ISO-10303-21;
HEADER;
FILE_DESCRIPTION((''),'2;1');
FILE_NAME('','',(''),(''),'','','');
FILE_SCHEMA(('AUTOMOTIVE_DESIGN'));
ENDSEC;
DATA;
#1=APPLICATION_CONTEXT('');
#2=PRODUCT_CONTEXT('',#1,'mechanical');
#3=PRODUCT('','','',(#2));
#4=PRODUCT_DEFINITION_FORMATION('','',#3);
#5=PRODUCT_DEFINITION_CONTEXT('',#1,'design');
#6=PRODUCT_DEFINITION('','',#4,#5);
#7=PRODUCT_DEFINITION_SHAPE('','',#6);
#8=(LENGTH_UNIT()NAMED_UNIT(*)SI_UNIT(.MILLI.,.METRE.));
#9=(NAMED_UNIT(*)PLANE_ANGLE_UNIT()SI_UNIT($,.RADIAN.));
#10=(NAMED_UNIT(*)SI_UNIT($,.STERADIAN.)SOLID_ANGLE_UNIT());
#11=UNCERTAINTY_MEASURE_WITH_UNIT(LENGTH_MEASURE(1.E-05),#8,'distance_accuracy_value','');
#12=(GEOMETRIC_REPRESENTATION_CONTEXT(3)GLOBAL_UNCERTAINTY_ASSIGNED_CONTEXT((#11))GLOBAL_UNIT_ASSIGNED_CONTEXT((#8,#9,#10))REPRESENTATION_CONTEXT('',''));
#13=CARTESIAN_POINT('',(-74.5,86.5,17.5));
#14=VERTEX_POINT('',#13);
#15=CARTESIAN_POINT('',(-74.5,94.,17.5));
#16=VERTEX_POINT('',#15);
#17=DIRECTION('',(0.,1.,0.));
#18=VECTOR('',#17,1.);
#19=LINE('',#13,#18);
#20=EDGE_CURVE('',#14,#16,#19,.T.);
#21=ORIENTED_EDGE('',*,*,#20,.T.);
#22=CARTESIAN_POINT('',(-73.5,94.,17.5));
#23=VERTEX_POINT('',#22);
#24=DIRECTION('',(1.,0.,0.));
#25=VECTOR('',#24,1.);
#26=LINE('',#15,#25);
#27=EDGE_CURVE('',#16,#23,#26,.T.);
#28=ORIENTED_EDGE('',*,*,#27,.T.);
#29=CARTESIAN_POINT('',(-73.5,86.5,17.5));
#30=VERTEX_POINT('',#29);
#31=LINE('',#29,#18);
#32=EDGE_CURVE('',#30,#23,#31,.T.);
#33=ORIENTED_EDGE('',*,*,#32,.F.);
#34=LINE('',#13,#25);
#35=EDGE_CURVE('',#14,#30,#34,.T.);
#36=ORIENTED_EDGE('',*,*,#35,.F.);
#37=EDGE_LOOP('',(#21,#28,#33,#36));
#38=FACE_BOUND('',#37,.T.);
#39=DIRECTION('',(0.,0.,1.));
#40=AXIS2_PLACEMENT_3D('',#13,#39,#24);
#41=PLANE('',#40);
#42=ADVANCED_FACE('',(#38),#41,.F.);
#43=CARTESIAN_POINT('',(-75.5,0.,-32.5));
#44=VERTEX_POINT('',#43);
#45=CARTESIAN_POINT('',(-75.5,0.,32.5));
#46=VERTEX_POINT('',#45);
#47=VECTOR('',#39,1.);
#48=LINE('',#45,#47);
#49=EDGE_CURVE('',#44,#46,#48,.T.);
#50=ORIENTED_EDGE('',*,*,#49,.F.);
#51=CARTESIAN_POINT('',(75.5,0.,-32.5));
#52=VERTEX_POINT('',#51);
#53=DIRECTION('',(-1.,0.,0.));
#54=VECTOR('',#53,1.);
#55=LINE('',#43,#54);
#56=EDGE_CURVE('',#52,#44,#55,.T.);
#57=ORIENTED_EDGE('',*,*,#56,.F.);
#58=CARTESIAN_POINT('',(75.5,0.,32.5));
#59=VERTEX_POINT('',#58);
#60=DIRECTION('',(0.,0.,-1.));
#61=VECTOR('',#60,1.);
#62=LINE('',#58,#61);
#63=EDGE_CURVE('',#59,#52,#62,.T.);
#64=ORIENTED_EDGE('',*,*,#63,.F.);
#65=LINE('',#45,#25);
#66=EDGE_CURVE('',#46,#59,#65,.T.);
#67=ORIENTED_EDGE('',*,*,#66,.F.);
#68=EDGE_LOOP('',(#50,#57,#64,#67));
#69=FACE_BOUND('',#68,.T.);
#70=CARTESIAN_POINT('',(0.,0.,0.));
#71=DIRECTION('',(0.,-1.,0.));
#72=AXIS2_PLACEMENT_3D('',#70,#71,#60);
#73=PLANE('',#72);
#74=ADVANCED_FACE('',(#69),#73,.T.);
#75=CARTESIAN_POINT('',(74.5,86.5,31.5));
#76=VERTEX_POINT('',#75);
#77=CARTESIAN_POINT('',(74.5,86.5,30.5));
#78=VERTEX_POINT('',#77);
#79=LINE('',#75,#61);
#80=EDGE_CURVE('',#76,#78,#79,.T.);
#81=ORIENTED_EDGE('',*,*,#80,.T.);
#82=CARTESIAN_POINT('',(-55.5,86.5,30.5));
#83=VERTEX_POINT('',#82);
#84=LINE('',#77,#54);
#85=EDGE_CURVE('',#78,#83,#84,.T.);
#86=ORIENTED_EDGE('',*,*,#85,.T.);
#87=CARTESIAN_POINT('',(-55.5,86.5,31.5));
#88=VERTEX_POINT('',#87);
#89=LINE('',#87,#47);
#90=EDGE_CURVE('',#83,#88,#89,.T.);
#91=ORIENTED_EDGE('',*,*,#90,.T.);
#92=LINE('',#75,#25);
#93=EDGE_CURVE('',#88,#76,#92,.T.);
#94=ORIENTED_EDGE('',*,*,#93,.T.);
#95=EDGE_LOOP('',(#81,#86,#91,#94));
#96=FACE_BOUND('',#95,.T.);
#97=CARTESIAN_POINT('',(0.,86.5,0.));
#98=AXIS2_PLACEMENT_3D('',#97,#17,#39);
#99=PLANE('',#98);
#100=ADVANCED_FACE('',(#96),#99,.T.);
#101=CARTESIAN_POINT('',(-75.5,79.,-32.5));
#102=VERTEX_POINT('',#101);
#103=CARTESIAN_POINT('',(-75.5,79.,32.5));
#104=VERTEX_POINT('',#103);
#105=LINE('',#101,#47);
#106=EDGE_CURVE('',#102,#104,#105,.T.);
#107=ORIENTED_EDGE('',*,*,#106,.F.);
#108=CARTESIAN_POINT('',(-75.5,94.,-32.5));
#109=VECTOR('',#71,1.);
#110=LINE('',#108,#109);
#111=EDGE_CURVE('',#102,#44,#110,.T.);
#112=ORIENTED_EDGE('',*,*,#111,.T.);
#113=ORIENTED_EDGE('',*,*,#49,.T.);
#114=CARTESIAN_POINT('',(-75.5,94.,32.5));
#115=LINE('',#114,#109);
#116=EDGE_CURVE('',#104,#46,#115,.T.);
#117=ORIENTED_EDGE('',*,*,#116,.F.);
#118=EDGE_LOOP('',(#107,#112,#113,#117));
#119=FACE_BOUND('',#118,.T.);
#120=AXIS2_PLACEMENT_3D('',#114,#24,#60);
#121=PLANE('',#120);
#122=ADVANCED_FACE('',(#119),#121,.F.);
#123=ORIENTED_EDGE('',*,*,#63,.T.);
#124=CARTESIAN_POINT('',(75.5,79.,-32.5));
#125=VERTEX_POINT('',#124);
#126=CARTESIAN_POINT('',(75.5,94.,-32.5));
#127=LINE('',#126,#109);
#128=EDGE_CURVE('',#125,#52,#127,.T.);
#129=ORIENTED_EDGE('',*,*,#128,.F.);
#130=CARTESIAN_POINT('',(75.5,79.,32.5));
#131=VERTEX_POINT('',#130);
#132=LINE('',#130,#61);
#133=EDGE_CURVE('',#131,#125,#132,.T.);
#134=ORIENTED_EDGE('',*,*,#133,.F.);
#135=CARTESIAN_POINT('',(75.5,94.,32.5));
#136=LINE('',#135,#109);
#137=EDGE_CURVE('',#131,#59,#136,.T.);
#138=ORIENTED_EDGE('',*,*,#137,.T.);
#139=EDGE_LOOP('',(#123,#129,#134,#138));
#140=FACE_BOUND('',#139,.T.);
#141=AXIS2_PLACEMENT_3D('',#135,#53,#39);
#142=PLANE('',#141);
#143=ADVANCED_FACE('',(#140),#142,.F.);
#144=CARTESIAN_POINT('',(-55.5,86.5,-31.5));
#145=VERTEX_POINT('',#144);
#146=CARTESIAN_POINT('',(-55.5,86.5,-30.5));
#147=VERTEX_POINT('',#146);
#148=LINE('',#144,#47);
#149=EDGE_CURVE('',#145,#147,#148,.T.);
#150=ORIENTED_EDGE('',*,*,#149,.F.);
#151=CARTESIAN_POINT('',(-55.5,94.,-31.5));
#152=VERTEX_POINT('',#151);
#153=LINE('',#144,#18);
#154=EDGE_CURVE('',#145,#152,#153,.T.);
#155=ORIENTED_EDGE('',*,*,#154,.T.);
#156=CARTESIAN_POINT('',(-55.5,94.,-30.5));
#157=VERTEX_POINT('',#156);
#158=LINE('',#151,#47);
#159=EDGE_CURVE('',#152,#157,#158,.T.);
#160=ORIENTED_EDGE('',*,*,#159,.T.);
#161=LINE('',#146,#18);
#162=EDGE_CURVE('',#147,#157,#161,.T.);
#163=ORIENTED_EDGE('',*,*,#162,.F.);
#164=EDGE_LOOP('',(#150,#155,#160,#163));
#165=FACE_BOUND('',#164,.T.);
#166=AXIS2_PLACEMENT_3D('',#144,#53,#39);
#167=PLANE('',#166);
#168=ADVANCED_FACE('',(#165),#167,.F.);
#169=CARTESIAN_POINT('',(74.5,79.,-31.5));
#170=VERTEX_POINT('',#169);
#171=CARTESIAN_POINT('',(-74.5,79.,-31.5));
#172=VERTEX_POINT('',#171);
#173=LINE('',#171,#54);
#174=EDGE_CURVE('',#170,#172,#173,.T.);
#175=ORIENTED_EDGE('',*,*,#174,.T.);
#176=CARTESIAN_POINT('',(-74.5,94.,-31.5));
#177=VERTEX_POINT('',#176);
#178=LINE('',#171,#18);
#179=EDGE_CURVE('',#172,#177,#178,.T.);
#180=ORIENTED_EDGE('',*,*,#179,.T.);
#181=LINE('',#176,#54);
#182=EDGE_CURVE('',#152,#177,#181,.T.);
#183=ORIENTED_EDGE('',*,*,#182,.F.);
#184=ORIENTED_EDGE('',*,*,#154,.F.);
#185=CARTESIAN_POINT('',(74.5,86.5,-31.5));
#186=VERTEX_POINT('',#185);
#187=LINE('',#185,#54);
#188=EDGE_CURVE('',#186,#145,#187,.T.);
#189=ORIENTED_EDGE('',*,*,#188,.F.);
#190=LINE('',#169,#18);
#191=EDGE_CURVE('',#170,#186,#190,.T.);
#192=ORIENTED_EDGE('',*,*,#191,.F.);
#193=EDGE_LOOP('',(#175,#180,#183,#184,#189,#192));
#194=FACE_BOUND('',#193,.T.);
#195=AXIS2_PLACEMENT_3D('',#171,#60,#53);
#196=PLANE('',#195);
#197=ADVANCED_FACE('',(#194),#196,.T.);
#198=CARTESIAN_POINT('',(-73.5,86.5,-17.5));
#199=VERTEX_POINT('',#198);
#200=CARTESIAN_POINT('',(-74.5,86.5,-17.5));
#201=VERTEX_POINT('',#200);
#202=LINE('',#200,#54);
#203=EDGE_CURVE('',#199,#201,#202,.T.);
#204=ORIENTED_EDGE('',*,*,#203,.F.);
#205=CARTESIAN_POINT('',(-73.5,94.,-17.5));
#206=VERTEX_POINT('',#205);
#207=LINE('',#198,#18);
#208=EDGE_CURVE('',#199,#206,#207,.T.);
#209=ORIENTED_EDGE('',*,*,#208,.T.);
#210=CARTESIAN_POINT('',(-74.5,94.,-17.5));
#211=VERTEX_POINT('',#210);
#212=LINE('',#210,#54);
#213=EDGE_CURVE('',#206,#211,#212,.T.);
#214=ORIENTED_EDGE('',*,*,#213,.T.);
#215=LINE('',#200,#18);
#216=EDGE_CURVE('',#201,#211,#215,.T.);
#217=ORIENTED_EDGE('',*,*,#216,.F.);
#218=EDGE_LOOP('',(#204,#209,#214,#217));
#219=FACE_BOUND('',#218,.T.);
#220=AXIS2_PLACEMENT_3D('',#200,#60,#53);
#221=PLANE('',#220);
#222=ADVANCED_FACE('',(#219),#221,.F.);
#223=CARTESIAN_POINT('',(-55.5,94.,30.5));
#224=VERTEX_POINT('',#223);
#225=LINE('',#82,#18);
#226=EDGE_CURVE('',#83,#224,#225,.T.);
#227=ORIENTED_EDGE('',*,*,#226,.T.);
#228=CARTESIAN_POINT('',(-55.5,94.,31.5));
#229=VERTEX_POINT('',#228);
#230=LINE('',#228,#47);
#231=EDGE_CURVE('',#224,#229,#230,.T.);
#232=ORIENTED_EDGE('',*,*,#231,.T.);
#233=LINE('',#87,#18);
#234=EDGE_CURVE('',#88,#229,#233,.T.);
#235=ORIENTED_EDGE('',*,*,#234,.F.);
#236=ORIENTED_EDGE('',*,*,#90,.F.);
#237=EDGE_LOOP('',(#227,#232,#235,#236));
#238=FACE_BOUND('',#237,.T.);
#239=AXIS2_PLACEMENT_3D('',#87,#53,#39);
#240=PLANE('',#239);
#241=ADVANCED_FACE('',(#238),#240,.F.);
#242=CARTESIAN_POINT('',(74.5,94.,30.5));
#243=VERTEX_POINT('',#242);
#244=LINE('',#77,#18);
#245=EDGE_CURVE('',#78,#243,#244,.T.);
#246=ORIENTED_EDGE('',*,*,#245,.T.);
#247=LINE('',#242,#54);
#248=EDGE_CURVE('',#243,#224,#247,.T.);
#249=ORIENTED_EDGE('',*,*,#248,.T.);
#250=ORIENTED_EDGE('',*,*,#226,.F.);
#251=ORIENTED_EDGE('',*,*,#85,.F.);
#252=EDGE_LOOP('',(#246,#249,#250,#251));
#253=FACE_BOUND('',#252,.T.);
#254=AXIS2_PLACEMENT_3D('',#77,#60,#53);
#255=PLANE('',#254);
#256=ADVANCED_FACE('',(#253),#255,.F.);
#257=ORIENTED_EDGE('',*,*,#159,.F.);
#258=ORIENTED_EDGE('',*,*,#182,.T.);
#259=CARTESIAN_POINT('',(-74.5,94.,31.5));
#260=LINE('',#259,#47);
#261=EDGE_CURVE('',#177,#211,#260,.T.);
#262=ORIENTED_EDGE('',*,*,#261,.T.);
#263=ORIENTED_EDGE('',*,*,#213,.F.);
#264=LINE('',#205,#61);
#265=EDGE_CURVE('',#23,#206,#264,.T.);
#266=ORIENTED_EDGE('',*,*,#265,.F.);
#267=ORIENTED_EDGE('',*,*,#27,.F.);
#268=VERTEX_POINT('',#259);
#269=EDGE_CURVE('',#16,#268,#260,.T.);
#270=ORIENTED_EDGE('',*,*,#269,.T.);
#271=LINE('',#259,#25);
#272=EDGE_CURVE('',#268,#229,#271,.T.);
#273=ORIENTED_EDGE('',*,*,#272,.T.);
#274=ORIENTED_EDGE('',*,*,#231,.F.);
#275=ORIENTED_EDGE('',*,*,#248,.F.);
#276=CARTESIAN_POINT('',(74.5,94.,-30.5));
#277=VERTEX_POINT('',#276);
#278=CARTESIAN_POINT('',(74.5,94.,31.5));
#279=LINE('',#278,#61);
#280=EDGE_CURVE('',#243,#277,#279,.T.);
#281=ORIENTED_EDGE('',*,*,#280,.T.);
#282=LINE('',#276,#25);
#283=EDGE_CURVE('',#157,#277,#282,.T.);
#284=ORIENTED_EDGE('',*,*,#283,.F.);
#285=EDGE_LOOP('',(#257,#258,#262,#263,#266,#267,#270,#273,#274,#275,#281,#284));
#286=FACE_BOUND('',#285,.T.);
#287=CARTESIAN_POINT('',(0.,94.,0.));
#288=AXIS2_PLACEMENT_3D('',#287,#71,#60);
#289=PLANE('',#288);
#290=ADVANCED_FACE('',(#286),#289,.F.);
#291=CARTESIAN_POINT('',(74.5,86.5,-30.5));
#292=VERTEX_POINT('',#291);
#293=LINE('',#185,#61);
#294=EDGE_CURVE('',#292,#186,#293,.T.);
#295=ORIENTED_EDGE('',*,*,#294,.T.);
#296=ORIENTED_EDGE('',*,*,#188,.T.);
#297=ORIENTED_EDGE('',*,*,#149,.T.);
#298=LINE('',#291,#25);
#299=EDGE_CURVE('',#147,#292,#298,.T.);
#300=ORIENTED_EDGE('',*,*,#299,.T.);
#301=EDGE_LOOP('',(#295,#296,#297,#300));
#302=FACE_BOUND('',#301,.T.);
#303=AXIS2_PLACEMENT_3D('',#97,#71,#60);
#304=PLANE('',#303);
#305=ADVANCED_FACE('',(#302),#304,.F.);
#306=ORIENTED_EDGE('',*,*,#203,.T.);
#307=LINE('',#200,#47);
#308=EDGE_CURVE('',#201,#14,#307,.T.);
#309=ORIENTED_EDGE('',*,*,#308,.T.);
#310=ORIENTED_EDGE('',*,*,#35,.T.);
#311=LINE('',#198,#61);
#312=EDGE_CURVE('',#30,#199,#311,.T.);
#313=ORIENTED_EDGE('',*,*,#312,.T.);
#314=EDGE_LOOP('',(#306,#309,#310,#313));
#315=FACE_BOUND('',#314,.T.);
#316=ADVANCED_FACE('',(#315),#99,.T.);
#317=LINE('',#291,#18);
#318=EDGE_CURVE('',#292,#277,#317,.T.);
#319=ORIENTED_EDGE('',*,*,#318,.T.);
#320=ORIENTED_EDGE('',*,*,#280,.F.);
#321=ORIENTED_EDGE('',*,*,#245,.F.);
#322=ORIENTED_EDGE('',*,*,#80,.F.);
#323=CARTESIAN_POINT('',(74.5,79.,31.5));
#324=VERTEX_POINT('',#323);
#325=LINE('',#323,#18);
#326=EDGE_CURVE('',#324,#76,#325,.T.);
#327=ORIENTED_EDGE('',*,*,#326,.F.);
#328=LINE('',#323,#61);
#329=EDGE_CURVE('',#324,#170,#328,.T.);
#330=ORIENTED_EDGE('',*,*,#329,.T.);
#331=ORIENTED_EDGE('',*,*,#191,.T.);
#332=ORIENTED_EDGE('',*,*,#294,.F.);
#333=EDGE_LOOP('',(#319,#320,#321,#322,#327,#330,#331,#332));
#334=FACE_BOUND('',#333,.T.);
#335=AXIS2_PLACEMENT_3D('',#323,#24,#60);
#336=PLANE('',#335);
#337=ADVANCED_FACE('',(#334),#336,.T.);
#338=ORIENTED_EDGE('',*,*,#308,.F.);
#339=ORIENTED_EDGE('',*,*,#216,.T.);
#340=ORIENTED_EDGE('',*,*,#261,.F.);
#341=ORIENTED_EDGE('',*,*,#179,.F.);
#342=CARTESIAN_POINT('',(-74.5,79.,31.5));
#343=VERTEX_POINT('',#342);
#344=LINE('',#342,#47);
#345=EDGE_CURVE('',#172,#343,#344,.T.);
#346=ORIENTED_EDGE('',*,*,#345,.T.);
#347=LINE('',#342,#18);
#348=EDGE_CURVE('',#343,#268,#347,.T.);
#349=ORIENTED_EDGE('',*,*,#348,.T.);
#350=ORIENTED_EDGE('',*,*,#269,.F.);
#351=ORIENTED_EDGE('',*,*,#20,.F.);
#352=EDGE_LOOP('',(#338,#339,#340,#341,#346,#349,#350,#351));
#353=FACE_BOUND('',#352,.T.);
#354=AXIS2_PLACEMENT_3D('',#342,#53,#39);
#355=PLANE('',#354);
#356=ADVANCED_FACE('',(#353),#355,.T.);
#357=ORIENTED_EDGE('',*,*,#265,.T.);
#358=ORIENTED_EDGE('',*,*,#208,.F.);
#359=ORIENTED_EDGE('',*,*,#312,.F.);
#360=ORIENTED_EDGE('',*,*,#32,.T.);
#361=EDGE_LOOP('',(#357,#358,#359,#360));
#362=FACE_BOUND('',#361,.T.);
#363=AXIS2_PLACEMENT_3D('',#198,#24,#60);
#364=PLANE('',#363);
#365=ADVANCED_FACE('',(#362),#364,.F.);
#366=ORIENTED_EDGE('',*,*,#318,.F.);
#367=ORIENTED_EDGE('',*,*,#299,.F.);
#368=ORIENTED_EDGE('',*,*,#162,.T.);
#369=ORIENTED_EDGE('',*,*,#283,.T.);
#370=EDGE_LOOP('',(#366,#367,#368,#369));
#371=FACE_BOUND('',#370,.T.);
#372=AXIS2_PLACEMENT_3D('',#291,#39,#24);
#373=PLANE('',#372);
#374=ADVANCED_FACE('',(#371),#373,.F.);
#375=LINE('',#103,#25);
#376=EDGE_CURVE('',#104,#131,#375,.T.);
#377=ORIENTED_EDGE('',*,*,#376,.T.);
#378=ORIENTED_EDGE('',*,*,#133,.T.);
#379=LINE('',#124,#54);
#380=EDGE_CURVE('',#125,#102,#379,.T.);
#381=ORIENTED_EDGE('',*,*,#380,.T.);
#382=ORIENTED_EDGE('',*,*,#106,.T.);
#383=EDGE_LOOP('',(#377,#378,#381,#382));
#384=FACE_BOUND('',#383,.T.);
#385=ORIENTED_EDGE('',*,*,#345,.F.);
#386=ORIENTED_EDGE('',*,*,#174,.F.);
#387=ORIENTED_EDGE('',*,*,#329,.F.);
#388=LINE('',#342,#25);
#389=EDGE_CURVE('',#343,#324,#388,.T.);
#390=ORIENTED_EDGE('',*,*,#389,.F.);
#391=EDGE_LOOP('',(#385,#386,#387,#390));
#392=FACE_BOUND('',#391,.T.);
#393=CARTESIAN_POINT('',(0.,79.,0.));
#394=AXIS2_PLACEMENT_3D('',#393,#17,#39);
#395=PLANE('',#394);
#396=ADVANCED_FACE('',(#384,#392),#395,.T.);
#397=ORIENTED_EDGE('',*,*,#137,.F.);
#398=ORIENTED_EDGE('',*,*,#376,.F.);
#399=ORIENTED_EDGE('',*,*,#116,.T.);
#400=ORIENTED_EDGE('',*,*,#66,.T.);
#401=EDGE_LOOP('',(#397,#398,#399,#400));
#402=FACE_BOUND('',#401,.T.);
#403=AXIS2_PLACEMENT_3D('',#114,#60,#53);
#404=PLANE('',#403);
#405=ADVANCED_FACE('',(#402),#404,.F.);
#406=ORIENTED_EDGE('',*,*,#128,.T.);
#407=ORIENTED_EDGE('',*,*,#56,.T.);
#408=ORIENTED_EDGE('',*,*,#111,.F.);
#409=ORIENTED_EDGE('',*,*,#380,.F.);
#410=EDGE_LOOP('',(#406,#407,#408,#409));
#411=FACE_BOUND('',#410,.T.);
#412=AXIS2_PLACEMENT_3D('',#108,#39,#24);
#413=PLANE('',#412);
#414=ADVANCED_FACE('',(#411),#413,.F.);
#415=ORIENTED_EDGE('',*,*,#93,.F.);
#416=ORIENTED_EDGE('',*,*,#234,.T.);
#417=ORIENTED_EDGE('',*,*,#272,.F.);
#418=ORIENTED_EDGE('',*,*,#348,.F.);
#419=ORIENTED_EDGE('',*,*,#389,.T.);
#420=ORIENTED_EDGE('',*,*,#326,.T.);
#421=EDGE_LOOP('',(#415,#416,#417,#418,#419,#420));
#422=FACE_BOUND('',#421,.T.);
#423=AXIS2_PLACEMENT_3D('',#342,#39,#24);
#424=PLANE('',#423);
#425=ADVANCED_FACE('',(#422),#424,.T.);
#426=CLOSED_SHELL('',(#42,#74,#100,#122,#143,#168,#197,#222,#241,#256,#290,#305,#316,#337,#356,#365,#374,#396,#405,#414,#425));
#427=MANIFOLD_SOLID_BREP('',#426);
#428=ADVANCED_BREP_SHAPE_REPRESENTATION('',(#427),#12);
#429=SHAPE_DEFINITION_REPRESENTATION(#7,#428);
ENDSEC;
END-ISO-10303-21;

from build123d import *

# Parameters (mm, degrees)
SKETCH1_W           = 151
SKETCH1_H           = 65
BOSS_EXTRUDE1_DEPTH = 94
SKETCH2_W           = 151
SKETCH2_H           = 65
SKETCH2_W_2         = 149
SKETCH2_H_2         = 63
CUT_EXTRUDE1_DEPTH  = 15
SKETCH3_W           = 130
SKETCH3_H           = 1
CUT_EXTRUDE2_DEPTH  = 7.5
SKETCH4_W           = 1
SKETCH4_H           = 35
CUT_EXTRUDE3_DEPTH  = 7.5


with BuildPart() as part:
    # Sketch1 → Boss-Extrude1 (new body)
    with BuildSketch(Plane(origin=(0, 0, 0), x_dir=(1, 0, 0), z_dir=(0, 1, 0))):
        Rectangle(SKETCH1_W, SKETCH1_H)
    extrude(amount=BOSS_EXTRUDE1_DEPTH)

    # Sketch2 → Cut-Extrude1 (cut)
    with BuildSketch(Plane(origin=(0, 94, 0), x_dir=(1, 0, 0), z_dir=(0, 1, 0))):
        Rectangle(SKETCH2_W, SKETCH2_H)
        Rectangle(SKETCH2_W_2, SKETCH2_H_2, mode=Mode.SUBTRACT)
    extrude(amount=-CUT_EXTRUDE1_DEPTH, mode=Mode.SUBTRACT)

    # Sketch3 → Cut-Extrude2 (cut)
    with BuildSketch(Plane(origin=(0, 94, 0), x_dir=(1, 0, 0), z_dir=(0, 1, 0))):
        with Locations((9.5, 31)):
            Rectangle(SKETCH3_W, SKETCH3_H)
        with Locations((9.5, -31)):
            Rectangle(SKETCH3_W, SKETCH3_H)
    extrude(amount=-CUT_EXTRUDE2_DEPTH, mode=Mode.SUBTRACT)

    # Sketch4 → Cut-Extrude3 (cut)
    with BuildSketch(Plane(origin=(0, 94, 0), x_dir=(1, 0, 0), z_dir=(0, 1, 0))):
        with Locations((-74, 0)):
            Rectangle(SKETCH4_W, SKETCH4_H)
    extrude(amount=-CUT_EXTRUDE3_DEPTH, mode=Mode.SUBTRACT)


solid = part.part
